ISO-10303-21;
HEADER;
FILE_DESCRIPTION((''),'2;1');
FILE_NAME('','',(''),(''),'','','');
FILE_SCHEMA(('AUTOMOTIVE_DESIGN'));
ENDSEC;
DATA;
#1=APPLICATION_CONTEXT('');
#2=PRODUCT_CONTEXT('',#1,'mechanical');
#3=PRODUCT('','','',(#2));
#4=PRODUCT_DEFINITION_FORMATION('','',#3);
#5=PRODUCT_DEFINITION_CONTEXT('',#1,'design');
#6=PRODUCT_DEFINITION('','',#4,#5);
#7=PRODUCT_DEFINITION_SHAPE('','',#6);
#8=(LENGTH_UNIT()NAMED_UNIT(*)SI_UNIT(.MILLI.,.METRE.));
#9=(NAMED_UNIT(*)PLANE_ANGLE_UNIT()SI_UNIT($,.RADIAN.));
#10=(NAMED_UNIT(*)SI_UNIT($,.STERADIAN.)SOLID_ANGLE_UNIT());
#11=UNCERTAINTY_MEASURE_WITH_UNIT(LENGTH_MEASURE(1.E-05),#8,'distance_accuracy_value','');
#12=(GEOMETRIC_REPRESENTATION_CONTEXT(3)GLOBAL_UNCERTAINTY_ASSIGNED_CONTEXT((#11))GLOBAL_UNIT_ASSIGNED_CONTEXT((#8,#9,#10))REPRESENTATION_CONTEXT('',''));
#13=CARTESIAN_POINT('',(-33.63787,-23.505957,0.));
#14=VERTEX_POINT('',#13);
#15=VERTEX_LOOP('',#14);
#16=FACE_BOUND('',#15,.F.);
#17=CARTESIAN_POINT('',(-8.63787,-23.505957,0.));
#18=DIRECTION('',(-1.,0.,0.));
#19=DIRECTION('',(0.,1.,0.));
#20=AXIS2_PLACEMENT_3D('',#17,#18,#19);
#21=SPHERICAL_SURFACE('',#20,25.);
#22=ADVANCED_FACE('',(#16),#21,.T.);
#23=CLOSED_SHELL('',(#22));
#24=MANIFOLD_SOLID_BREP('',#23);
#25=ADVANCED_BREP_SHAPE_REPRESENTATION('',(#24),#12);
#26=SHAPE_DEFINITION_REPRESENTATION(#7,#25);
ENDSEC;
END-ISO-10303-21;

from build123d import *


with BuildPart() as part:
    # Croquis1 → Revolución1 (revolve)
    with BuildSketch(Plane.XY):
        with BuildLine():
            Line((-33.6378695, -23.505957272), (16.3621305, -23.505957272))
            ThreePointArc((16.3621305, -23.505957272), (-8.6378695, 1.494042728), (-33.6378695, -23.505957272))
        make_face()
    revolve(axis=Axis((-33.6378695, -23.505957272, 0), (1, 0, 0)))


solid = part.part
